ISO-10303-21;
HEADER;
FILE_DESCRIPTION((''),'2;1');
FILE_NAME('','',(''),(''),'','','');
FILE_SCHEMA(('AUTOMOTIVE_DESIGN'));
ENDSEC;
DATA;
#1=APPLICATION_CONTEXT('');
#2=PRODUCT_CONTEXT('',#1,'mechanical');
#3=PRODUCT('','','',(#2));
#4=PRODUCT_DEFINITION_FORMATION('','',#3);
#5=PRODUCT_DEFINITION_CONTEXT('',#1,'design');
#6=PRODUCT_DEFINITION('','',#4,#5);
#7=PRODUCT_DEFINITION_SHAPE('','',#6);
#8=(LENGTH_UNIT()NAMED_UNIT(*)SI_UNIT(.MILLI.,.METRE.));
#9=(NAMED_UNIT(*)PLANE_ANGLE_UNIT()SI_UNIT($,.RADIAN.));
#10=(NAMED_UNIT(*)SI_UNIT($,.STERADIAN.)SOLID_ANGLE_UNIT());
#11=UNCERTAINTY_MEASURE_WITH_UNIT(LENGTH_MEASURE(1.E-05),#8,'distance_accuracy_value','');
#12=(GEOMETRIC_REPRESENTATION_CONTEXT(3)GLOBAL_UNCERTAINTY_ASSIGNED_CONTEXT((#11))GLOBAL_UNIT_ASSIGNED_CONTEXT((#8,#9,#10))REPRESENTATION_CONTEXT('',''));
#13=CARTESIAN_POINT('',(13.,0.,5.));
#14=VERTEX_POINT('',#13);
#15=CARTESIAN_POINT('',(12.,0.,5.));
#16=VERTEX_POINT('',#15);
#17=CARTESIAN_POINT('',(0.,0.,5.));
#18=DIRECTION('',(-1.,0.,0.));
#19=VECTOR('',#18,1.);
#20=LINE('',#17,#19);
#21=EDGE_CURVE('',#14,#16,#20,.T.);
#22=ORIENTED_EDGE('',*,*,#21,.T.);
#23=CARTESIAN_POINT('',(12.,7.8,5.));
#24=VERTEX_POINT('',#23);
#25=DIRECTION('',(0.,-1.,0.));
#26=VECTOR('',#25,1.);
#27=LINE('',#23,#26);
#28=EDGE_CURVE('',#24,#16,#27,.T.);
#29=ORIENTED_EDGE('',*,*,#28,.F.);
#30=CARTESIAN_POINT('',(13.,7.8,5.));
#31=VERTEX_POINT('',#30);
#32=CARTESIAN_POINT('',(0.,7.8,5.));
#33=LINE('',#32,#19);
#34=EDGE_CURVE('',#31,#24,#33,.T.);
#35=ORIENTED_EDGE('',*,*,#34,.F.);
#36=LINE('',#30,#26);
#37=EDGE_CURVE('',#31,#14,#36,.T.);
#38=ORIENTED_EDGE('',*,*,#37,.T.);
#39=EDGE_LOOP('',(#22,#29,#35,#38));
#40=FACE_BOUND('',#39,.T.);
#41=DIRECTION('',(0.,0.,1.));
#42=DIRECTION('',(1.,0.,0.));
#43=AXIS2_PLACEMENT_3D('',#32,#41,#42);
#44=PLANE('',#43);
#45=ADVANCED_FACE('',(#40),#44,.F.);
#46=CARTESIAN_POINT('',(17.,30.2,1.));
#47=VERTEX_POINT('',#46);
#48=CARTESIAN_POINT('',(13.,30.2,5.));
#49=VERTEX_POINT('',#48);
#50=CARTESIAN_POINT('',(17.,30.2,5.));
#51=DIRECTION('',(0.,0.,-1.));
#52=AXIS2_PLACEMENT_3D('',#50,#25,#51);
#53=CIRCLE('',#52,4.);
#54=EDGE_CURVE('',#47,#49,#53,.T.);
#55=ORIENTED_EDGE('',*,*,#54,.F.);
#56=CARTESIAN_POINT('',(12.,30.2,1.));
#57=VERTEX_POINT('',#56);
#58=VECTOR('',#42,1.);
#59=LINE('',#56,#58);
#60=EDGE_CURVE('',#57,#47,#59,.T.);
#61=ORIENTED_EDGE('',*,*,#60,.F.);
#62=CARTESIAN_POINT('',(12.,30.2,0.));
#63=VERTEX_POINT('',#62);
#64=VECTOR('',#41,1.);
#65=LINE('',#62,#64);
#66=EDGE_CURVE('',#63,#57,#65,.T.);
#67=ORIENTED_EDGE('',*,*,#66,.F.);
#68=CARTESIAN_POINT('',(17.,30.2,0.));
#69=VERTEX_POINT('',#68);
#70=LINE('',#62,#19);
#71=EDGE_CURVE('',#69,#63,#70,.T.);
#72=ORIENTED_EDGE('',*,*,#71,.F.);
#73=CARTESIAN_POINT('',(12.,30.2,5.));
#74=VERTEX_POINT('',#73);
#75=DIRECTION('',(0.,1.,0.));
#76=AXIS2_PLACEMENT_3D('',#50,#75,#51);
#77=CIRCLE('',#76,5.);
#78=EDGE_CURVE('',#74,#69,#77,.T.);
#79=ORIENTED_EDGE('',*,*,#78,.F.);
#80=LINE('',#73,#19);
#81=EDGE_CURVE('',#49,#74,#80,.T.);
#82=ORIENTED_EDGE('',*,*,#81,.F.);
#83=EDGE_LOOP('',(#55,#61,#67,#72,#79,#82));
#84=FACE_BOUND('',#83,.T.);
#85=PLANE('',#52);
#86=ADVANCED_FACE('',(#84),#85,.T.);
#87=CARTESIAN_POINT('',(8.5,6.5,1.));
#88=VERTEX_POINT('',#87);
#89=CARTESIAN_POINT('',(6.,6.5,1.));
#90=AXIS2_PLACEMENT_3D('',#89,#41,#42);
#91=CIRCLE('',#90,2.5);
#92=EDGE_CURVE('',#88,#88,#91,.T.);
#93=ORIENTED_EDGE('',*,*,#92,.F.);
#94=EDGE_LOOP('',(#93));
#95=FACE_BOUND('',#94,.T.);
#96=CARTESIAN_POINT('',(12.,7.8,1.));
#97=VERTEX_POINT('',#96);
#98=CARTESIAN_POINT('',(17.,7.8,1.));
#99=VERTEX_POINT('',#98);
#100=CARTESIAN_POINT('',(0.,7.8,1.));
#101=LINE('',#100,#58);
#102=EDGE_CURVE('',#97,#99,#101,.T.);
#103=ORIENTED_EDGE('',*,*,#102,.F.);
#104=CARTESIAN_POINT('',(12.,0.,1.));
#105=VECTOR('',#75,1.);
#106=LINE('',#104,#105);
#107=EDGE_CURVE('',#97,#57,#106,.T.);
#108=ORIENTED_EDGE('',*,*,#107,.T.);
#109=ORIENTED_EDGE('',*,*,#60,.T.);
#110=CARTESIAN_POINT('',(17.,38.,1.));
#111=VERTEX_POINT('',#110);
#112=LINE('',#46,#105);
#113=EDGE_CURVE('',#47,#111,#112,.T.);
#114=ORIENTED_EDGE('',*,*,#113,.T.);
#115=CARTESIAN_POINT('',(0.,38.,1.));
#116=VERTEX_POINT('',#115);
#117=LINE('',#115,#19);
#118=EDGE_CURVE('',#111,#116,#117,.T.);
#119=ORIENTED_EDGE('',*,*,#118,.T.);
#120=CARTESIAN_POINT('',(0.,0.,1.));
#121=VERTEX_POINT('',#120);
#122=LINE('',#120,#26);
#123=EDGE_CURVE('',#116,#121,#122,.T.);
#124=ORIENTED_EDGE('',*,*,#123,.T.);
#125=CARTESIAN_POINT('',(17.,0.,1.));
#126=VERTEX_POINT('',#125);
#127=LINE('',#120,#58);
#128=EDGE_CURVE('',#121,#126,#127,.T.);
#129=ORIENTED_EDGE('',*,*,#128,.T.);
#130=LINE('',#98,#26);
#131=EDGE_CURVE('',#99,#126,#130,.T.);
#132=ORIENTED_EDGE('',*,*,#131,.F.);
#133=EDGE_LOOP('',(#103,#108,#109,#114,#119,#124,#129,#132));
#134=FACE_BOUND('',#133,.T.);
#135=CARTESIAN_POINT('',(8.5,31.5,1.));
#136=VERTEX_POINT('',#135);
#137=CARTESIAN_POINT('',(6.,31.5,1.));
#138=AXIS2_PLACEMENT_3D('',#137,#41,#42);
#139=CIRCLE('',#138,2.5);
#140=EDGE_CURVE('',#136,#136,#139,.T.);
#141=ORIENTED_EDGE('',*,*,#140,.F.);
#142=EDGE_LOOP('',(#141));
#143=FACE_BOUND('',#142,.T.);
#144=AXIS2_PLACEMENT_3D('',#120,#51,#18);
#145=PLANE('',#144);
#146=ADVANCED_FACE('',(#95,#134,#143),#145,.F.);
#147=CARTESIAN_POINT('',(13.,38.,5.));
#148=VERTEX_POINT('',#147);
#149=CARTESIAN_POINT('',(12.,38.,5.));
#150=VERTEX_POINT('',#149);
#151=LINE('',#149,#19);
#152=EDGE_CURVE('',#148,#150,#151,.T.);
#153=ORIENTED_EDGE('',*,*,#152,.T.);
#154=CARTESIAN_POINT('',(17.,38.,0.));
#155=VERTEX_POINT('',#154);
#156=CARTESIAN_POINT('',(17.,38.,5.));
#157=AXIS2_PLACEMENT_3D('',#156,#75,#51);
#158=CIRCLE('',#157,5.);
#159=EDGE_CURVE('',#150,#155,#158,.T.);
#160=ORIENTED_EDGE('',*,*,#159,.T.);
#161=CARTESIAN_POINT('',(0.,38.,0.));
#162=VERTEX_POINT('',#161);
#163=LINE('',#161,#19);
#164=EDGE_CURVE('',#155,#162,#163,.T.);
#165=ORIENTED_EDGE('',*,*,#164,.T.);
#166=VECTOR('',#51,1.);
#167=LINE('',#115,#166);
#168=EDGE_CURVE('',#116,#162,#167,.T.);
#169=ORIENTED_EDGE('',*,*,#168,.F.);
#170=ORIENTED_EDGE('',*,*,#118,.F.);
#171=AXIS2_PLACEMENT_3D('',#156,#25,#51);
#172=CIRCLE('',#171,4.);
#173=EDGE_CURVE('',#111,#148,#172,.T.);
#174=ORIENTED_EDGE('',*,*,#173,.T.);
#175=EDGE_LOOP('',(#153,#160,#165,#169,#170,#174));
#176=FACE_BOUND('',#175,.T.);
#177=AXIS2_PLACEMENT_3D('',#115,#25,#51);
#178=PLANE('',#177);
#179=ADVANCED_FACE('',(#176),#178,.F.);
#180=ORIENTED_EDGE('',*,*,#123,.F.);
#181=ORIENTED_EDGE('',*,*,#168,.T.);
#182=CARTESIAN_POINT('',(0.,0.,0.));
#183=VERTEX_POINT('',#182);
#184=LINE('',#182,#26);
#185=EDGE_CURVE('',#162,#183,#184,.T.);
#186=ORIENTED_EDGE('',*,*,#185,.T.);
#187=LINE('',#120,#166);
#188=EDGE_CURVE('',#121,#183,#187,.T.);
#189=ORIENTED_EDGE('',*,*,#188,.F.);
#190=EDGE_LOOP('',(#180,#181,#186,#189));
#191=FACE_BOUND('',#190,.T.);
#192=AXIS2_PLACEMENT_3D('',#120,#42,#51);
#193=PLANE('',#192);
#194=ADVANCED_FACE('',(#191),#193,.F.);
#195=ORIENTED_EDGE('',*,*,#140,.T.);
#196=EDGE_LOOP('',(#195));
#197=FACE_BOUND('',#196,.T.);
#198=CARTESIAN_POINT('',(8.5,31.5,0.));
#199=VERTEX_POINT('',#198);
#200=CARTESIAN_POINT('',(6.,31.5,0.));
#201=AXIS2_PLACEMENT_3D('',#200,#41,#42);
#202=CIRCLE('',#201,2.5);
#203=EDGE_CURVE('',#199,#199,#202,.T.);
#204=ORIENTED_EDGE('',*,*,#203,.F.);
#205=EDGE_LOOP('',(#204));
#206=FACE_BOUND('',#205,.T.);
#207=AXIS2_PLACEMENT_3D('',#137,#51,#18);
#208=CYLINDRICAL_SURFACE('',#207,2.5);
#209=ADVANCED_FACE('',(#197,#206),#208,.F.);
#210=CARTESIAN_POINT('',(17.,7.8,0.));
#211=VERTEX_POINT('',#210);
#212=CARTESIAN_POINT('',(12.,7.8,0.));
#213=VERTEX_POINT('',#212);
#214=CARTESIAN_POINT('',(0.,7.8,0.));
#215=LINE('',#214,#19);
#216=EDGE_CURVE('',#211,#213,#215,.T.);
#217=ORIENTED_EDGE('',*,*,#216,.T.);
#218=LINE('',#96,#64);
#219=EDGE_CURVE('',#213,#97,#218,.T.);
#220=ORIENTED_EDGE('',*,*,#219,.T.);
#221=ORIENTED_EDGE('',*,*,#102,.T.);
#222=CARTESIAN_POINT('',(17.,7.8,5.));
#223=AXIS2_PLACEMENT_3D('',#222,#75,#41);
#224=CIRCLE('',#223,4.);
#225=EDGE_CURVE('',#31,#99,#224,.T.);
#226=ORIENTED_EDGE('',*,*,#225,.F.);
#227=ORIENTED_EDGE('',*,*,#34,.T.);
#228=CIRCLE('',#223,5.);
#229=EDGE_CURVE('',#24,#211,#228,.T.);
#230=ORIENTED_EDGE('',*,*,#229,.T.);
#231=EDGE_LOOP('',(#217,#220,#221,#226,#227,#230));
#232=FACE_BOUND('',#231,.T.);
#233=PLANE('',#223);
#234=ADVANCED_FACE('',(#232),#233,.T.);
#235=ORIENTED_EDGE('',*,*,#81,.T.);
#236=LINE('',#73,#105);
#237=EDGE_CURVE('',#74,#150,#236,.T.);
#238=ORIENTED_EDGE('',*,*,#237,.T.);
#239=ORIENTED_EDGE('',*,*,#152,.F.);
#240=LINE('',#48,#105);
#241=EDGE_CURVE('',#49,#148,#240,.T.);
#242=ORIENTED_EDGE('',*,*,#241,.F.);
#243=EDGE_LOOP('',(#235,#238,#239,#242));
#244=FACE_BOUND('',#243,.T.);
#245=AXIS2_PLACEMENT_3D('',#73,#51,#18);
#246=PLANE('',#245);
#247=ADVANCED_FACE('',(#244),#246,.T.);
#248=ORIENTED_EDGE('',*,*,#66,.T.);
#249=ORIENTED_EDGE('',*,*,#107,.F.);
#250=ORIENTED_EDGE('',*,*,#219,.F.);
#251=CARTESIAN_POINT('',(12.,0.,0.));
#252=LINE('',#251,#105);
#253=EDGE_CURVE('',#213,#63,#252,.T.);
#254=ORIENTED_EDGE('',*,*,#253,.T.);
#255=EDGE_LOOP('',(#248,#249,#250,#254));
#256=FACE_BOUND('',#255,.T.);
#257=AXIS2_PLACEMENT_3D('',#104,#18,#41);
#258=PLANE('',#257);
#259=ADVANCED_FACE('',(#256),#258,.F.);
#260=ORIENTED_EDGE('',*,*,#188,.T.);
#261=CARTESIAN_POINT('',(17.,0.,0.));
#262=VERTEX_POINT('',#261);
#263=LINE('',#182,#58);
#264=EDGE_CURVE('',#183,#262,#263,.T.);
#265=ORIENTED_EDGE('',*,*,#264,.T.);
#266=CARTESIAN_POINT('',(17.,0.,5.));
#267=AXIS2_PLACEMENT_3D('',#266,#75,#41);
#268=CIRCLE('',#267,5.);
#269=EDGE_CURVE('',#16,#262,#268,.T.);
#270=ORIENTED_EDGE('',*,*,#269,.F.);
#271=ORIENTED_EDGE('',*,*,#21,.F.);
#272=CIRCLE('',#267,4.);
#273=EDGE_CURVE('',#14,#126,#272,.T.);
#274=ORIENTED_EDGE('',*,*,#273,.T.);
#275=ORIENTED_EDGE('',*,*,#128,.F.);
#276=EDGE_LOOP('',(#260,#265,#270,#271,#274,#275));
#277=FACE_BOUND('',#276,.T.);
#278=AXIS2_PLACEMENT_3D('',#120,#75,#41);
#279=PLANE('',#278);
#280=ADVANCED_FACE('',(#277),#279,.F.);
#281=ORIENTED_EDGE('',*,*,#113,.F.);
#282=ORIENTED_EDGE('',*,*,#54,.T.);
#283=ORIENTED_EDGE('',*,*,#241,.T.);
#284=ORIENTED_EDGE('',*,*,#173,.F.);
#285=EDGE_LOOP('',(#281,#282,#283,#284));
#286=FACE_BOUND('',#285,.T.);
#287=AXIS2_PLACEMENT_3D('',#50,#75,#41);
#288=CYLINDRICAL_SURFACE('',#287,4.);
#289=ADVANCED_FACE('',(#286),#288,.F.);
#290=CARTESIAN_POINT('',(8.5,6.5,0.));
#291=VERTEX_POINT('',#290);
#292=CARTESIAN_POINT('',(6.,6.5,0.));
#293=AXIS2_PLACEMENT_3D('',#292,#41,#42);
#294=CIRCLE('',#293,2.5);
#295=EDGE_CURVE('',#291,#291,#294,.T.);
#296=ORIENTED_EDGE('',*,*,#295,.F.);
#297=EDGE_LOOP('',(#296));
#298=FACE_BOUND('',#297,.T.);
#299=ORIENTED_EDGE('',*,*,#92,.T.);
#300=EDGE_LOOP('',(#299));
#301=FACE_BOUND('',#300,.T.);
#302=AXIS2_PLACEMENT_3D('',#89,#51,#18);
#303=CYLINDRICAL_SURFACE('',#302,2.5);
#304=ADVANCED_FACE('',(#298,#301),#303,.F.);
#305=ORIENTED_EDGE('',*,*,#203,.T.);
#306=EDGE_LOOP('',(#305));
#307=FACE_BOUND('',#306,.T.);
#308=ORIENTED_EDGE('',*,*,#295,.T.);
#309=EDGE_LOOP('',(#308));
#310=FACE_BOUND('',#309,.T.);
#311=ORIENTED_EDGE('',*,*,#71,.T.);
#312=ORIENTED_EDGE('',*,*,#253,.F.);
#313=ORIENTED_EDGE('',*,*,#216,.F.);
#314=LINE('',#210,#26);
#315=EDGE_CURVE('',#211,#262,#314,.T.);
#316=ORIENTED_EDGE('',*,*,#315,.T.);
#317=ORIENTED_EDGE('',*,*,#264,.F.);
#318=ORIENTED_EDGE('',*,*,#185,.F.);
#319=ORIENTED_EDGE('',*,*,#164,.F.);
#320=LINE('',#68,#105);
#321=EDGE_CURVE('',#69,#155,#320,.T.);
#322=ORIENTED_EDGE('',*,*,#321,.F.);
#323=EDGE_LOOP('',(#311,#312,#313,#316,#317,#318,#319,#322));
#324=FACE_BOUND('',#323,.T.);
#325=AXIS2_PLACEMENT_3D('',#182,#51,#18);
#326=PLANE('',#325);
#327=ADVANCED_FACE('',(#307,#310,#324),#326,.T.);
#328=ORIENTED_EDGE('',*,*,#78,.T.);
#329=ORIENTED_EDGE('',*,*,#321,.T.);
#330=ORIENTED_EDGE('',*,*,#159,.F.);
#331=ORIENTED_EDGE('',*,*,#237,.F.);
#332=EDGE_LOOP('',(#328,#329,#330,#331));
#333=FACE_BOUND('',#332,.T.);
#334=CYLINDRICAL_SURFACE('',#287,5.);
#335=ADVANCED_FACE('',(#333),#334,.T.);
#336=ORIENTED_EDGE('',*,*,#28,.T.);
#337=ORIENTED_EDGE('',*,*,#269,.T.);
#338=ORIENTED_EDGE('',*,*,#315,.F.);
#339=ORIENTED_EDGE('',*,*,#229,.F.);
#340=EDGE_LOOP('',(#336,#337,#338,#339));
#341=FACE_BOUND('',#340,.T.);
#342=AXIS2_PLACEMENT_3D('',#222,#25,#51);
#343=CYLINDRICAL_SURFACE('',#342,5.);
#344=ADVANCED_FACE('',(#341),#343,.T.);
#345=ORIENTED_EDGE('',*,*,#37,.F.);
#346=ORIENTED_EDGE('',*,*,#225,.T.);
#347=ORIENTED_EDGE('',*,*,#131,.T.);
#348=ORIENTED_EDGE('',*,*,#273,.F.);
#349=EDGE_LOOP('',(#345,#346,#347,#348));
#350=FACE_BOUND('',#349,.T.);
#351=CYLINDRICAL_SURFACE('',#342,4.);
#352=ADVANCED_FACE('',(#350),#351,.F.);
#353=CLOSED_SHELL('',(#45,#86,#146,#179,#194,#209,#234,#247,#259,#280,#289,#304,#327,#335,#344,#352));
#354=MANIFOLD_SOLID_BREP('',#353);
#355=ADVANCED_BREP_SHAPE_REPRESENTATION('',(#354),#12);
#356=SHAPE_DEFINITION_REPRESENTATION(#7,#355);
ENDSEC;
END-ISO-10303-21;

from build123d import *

# Parameters (mm, degrees)
SKETCH_1_W      = 12
SKETCH_1_H      = 38
SKETCH_1_R      = 2.5
EXTRUDE_1_DEPTH = 1
EXTRUDE_2_DEPTH = 7.8
EXTRUDE_START   = -30.2
EXTRUDE_3_DEPTH = 7.8


with BuildPart() as part:
    # 草图1 → 凸台-拉伸1 (new body)
    with BuildSketch(Plane.XY):
        with Locations((6, 19)):
            Rectangle(SKETCH_1_W, SKETCH_1_H)
        with Locations((6, 31.5)):
            Circle(SKETCH_1_R, mode=Mode.SUBTRACT)
        with Locations((6, 6.5)):
            Circle(SKETCH_1_R, mode=Mode.SUBTRACT)
    extrude(amount=EXTRUDE_1_DEPTH)

    # 草图2 → 凸台-拉伸2 (add)
    with BuildSketch(Plane(origin=(0, 38, 0), x_dir=(1, 0, 0), z_dir=(0, 1, 0))):
        with BuildLine():
            Line((12, 0), (17, 0))
            ThreePointArc((17, 0), (20.535533906, -8.535533906), (12, -5))
            Line((12, -5), (13, -5))
            ThreePointArc((13, -5), (19.828427125, -7.828427125), (17, -1))
            Line((17, -1), (12, -1))
            Line((12, -1), (12, 0))
        make_face()
    extrude(amount=-EXTRUDE_2_DEPTH)

    # 草图2<2> → 凸台-拉伸3 (add)
    with BuildSketch(Plane(origin=(0, 38, 0), x_dir=(1, 0, 0), z_dir=(0, 1, 0)).offset(EXTRUDE_START)):
        with BuildLine():
            Line((12, 0), (17, 0))
            ThreePointArc((17, 0), (20.535533906, -8.535533906), (12, -5))
            Line((12, -5), (13, -5))
            ThreePointArc((13, -5), (19.828427125, -7.828427125), (17, -1))
            Line((17, -1), (12, -1))
            Line((12, -1), (12, 0))
        make_face()
    extrude(amount=-EXTRUDE_3_DEPTH)


solid = part.part
